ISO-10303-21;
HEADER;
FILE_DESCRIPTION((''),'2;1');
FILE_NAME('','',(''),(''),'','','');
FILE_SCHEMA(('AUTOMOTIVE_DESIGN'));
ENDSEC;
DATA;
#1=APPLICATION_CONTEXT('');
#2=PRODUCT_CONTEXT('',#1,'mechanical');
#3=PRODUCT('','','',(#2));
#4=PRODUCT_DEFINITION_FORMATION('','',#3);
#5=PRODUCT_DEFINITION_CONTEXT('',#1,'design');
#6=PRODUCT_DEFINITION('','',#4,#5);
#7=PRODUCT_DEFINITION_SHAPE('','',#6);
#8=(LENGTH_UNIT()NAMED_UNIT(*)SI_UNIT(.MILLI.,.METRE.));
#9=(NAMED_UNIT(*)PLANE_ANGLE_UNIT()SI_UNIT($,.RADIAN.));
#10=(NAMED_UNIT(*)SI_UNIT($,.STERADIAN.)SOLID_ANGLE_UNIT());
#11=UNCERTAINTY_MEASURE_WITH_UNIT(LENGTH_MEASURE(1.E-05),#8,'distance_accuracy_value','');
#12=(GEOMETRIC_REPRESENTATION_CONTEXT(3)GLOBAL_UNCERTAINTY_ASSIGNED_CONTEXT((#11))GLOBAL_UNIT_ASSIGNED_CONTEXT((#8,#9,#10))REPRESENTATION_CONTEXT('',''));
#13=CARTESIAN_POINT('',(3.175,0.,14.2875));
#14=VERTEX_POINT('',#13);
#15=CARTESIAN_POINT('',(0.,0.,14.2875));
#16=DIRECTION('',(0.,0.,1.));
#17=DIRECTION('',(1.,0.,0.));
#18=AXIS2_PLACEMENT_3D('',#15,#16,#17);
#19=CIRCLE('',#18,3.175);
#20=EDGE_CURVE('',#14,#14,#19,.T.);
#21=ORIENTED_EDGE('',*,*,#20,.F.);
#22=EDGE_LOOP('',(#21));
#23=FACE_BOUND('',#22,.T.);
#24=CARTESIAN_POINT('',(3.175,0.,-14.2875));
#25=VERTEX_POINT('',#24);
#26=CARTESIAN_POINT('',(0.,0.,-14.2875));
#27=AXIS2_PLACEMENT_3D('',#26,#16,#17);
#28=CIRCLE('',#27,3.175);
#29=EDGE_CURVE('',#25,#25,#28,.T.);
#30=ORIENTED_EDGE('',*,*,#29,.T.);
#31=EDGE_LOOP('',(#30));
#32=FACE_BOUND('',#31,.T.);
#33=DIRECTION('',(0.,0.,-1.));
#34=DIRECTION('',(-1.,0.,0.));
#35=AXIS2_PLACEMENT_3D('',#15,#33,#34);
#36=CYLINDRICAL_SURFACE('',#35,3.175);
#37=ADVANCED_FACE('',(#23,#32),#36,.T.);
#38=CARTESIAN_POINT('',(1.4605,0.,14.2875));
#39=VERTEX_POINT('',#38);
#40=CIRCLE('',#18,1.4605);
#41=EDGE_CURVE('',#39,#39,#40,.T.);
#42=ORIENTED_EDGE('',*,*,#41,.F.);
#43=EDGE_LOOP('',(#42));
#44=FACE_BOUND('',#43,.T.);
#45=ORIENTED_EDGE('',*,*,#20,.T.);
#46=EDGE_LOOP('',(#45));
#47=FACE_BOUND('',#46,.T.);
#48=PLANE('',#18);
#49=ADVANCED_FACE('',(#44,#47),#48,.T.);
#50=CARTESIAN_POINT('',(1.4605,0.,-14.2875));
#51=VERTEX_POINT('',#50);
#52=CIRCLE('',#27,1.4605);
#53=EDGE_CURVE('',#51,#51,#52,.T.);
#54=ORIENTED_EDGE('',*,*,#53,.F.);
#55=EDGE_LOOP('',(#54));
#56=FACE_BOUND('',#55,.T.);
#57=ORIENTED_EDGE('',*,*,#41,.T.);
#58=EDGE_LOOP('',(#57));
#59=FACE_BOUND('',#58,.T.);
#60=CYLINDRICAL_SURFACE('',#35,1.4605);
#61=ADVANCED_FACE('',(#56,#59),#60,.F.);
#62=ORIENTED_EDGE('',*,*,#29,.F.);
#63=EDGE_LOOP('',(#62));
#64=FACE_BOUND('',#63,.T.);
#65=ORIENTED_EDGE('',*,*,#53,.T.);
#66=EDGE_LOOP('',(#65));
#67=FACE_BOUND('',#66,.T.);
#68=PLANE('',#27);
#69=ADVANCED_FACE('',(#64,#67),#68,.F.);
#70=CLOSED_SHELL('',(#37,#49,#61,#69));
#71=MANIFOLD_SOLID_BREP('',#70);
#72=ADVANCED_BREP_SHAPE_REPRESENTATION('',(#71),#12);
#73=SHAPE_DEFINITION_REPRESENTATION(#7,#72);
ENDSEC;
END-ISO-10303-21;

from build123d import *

# Parameters (mm, degrees)
EXTRUDE1_DEPTH      = 14.2875
EXTRUDE1_DEPTH_BACK = 14.2875
SKETCH1_R           = 3.175
SKETCH1_R_2         = 1.4605


with BuildPart() as part:
    # Sketch1 → Extrude1 (new, two sides: drawn at the far end of the back side and taken through both)
    with BuildSketch(Plane.XY.offset(-EXTRUDE1_DEPTH_BACK)):
        Circle(SKETCH1_R)
        Circle(SKETCH1_R_2, mode=Mode.SUBTRACT)
    extrude(amount=EXTRUDE1_DEPTH + EXTRUDE1_DEPTH_BACK)


solid = part.part
